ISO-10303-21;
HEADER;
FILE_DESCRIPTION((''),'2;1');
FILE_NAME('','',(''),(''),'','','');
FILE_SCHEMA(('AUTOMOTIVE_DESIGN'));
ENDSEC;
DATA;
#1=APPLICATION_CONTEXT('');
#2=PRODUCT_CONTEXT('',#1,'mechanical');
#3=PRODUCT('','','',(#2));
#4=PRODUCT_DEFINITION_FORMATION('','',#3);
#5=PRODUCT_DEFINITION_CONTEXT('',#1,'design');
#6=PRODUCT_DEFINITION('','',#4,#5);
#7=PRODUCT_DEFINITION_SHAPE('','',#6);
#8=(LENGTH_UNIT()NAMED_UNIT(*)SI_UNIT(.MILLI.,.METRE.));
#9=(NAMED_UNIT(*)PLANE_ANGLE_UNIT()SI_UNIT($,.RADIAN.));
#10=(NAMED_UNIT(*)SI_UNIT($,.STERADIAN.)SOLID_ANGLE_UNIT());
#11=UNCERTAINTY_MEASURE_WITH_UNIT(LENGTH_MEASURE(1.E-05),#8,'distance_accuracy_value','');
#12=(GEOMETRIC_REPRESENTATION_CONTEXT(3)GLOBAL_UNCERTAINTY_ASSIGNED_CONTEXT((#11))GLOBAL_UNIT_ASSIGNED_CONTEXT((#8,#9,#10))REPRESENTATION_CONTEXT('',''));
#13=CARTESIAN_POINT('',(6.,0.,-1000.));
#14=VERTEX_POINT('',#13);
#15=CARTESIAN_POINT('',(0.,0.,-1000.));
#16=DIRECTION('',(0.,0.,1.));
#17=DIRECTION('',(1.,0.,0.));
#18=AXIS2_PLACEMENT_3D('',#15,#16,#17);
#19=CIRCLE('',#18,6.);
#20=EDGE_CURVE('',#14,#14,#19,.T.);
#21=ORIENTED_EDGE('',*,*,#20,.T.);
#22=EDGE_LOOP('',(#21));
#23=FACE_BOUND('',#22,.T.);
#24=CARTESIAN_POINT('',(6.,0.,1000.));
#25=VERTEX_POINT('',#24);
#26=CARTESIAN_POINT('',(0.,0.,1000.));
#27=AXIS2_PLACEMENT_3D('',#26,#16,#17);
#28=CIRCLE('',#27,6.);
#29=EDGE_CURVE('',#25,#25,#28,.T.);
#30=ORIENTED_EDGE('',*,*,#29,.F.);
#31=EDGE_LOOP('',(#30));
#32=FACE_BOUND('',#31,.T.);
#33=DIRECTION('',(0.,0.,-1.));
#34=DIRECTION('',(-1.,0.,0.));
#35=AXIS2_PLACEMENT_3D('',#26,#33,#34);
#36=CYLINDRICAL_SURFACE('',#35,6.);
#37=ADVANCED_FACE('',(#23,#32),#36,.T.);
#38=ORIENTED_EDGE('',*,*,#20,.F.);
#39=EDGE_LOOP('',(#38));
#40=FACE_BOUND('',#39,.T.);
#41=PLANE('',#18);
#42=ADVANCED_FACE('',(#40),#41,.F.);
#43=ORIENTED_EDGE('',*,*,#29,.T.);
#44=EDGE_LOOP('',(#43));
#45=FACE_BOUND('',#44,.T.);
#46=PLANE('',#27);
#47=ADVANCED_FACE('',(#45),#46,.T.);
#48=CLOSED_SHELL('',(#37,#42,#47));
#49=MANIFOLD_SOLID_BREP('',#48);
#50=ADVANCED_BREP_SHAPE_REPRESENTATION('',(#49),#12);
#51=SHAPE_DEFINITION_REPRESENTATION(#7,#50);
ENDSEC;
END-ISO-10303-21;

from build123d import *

# Parameters (mm, degrees)
SKETCH1_R           = 6
BOSS_EXTRUDE1_DEPTH = 1000


with BuildPart() as part:
    # Sketch1 → Boss-Extrude1 (new body, symmetric)
    with BuildSketch(Plane.XY):
        Circle(SKETCH1_R)
    extrude(amount=BOSS_EXTRUDE1_DEPTH, both=True)


solid = part.part
